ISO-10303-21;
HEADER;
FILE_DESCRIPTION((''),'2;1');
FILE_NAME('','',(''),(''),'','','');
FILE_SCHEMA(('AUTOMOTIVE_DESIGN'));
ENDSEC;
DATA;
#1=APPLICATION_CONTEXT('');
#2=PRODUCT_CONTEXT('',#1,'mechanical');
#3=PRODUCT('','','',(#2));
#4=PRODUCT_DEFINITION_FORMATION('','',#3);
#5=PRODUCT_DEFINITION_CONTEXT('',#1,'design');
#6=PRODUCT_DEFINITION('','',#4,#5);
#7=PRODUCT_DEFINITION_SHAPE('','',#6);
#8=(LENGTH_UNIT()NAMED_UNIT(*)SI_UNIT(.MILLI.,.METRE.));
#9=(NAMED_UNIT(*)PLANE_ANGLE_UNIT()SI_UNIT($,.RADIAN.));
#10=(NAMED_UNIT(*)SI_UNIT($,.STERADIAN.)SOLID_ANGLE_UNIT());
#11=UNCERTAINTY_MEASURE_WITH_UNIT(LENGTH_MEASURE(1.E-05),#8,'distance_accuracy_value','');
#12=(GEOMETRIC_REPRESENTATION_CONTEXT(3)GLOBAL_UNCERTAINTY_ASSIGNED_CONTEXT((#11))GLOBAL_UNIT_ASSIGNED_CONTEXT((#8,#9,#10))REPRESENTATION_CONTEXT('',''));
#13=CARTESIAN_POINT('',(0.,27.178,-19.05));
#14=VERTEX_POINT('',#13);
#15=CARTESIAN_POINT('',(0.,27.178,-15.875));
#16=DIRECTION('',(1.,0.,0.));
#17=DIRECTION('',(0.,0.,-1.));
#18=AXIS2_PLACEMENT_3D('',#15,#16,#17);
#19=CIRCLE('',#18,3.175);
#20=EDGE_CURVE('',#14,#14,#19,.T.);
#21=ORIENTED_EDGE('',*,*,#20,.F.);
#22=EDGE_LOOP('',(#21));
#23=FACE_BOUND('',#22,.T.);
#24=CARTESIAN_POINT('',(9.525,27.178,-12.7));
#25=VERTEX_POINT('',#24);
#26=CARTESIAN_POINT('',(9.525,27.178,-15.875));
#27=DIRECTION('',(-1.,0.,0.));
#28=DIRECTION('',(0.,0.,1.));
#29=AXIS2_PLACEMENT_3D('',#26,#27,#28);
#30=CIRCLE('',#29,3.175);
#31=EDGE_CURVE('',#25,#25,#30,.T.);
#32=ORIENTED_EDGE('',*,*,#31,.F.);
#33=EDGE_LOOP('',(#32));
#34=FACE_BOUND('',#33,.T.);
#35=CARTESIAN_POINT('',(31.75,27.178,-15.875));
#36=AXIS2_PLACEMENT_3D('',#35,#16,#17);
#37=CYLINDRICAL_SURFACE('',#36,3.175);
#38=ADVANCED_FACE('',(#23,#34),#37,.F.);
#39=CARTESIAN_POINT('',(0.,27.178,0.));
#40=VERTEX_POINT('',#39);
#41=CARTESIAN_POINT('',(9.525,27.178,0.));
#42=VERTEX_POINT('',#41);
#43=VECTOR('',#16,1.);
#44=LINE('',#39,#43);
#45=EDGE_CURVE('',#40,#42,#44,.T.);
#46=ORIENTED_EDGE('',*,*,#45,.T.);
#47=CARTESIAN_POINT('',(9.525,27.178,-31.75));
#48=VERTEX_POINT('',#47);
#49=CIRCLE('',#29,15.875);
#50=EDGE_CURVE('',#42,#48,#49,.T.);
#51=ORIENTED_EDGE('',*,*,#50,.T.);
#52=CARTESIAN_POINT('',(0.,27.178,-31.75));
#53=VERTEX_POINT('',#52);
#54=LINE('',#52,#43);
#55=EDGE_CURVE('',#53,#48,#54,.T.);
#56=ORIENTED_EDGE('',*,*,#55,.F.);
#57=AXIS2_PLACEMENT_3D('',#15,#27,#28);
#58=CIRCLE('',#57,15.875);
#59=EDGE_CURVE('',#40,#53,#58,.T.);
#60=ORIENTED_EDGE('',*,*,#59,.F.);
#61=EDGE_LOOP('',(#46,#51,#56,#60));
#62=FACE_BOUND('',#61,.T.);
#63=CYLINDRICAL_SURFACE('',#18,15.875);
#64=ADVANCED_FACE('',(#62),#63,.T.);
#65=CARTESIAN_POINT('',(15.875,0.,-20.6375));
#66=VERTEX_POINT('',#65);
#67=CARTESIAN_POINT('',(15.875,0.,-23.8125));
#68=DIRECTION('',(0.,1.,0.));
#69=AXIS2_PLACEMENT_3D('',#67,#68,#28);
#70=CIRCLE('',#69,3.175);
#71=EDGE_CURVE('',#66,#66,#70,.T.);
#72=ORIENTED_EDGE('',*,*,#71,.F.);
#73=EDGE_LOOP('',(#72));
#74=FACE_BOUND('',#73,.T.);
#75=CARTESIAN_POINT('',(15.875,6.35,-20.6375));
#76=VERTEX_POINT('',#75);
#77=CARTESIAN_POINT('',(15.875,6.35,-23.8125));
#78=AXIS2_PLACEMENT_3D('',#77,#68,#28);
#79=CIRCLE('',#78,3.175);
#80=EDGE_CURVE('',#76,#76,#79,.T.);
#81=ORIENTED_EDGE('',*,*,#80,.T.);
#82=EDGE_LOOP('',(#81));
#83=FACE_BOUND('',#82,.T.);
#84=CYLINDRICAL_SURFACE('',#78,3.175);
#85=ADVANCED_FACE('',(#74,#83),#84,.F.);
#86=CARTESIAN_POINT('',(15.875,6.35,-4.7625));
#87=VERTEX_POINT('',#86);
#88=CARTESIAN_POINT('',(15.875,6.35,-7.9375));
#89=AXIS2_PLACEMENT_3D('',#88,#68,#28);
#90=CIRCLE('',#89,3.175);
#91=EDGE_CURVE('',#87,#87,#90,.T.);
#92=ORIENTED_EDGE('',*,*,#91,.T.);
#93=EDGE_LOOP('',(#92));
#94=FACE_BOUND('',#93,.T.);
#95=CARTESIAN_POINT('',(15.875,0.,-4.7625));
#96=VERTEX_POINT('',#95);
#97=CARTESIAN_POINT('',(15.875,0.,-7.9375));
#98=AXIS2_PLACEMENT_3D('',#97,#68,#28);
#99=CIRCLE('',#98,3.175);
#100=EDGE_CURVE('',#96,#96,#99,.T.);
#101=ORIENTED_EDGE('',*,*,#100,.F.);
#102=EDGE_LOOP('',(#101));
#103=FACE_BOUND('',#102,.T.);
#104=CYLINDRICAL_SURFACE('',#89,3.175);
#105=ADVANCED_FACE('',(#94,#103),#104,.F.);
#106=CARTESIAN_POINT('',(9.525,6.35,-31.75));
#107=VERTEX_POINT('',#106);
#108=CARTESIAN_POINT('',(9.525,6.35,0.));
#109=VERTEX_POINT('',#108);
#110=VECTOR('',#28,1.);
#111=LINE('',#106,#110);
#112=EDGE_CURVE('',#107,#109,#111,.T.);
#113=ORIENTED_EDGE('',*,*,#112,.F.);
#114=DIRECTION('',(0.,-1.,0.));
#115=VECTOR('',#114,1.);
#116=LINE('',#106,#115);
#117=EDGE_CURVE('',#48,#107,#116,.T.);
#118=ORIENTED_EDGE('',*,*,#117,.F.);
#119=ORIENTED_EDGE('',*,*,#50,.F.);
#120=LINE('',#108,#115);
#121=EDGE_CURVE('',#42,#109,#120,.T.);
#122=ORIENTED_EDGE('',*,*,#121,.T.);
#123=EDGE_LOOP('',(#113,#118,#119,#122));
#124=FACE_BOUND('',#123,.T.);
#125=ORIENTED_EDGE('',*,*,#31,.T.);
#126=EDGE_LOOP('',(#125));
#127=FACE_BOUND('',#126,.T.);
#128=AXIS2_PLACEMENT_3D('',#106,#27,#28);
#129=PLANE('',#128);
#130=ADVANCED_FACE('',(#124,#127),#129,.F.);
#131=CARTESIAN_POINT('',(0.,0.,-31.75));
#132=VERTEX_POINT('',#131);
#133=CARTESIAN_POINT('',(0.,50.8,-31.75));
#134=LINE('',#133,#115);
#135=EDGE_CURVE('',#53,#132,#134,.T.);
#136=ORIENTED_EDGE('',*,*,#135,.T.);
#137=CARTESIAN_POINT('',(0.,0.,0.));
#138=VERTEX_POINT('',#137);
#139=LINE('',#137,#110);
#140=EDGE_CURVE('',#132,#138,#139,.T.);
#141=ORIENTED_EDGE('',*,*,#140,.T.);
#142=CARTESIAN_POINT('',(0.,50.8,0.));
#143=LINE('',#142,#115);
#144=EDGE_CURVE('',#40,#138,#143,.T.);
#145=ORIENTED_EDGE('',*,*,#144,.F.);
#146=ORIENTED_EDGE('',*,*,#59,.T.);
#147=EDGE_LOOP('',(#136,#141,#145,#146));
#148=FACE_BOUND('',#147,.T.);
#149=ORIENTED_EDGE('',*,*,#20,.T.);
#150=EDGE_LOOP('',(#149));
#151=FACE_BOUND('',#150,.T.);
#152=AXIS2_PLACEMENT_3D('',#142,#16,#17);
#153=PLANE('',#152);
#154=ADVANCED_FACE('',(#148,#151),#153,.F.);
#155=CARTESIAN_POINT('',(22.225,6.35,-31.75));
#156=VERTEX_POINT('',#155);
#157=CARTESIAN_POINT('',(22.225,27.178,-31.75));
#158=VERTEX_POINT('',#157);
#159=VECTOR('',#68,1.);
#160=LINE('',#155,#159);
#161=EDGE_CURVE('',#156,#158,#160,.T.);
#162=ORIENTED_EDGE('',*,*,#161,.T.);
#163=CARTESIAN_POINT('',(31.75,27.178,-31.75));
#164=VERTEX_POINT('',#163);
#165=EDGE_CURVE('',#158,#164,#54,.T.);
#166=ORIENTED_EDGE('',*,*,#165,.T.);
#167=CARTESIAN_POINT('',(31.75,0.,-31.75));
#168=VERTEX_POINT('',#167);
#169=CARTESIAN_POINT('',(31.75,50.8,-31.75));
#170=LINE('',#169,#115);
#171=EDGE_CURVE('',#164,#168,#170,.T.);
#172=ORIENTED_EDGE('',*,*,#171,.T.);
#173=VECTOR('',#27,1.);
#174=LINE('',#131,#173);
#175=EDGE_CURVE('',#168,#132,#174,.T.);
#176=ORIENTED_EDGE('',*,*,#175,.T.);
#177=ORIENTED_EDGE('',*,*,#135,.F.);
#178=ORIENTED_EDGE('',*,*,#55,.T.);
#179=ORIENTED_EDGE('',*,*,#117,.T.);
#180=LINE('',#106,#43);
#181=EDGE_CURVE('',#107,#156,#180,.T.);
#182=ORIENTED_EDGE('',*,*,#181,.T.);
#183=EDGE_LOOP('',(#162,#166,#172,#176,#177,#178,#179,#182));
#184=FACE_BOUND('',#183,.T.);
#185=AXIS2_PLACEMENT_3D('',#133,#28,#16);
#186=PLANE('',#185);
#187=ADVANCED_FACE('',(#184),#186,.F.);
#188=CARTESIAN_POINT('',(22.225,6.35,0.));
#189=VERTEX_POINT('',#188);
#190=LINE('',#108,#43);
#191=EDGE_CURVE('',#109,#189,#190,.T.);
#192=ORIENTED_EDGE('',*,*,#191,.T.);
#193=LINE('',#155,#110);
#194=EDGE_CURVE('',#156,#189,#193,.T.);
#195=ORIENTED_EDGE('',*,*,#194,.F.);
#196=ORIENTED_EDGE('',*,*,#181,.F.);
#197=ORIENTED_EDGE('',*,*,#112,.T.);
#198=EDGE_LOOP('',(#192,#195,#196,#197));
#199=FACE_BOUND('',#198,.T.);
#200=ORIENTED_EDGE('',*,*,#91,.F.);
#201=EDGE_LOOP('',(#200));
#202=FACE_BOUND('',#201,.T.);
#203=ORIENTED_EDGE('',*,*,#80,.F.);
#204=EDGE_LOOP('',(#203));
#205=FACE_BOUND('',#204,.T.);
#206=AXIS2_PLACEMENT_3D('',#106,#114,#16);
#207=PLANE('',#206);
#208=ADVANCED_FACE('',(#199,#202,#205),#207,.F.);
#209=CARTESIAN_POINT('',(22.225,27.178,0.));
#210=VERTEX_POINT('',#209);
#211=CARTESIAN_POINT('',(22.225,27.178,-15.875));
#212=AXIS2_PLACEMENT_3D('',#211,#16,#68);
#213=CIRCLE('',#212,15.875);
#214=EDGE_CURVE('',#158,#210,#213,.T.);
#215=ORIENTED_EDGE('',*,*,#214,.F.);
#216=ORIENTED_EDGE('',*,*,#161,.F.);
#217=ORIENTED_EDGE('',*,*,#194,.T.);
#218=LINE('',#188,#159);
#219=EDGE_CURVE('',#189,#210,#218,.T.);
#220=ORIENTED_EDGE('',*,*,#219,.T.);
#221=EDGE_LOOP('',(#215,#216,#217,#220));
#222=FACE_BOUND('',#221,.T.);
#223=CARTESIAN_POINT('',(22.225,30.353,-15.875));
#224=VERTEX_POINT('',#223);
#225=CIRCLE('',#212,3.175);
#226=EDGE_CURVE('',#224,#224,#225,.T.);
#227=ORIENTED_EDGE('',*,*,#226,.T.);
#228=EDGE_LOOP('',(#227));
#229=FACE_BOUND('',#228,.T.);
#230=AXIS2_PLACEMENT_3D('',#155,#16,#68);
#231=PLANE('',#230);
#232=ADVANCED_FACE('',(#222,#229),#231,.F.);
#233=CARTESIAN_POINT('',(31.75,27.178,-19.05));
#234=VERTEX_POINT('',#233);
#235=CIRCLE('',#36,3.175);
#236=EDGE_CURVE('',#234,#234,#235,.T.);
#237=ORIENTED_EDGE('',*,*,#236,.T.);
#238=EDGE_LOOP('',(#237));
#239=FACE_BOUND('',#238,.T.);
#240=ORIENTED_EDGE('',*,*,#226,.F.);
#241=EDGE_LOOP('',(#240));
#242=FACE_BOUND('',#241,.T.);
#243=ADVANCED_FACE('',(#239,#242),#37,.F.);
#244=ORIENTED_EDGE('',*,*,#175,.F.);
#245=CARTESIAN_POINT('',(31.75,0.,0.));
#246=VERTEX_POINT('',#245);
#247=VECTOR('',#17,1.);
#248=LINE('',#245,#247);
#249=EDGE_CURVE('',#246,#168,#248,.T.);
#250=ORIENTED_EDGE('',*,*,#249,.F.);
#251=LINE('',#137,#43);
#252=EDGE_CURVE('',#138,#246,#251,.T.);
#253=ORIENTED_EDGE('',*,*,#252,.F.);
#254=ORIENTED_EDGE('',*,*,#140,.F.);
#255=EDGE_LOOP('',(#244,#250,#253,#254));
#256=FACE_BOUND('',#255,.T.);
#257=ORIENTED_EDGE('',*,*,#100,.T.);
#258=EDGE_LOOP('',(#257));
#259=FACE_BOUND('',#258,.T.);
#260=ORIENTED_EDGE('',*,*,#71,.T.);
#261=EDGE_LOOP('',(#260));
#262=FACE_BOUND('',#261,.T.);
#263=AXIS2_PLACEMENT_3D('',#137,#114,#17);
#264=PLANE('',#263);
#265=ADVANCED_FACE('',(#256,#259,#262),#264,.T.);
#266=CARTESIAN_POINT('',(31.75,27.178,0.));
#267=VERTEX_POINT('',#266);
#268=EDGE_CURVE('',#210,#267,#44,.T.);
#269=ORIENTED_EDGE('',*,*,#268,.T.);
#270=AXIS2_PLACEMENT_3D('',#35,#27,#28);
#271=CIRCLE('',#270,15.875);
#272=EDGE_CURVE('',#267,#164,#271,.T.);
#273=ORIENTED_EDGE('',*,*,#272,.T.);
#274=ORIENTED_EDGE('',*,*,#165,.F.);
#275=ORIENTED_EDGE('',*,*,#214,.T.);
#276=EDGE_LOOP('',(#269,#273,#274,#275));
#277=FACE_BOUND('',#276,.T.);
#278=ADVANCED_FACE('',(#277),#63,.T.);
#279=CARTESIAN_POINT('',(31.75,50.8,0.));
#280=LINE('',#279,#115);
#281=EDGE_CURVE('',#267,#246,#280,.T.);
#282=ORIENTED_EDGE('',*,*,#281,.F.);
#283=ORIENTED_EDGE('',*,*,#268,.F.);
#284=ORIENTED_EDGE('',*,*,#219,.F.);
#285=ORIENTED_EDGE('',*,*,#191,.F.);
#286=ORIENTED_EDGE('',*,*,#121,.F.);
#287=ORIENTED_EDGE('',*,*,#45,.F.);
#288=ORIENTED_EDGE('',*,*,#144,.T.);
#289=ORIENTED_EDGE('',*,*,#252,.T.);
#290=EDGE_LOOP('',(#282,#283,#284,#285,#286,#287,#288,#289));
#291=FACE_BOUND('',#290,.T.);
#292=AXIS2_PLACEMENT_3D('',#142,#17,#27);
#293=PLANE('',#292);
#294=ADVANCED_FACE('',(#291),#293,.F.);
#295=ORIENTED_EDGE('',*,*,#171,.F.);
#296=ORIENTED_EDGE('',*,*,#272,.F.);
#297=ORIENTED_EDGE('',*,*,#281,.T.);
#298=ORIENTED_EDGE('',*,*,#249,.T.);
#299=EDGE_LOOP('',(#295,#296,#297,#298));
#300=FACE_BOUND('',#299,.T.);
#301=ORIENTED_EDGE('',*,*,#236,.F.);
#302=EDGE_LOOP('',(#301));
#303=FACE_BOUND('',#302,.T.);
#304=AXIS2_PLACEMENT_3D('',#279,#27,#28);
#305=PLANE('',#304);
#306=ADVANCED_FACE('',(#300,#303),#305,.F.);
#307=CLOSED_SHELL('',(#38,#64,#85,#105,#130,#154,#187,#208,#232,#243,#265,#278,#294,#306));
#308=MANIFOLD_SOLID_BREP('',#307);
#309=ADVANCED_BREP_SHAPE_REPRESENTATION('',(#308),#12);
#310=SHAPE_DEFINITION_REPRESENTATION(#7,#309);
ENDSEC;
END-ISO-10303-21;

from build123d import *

# Parameters (mm, degrees)
SKETCH1_W              = 31.75
SKETCH1_H              = 31.75
BOSS_EXTRUDE1_DEPTH    = 50.8
CUT_EXTRUDE1_DEPTH     = 68.7994469
SKETCH3_W              = 12.7
SKETCH3_H              = 50.8
CUT_EXTRUDE2_DEPTH     = 63.206798736
F_1_1_DIAMETER_HOLE1_D = 6.35
F_1_1_DIAMETER_HOLE2_D = 6.35


with BuildPart() as part:
    # Sketch1 → Boss-Extrude1 (new body)
    with BuildSketch(Plane(origin=(0, 0, 0), x_dir=(1, 0, 0), z_dir=(0, 1, 0))):
        with Locations((15.875, 15.875)):
            Rectangle(SKETCH1_W, SKETCH1_H)
    extrude(amount=BOSS_EXTRUDE1_DEPTH)

    # Sketch2 → Cut-Extrude1 (cut, through all)
    with BuildSketch(Plane(origin=(31.75, 0, 0), x_dir=(0, 0, -1), z_dir=(1, 0, 0))):
        with BuildLine():
            Line((0, 50.8), (31.75, 50.8))
            Line((31.75, 50.8), (31.75, 27.178))
            ThreePointArc((31.75, 27.178), (15.875, 43.053), (0, 27.178))
            Line((0, 27.178), (0, 50.8))
        make_face()
    extrude(amount=-CUT_EXTRUDE1_DEPTH, mode=Mode.SUBTRACT)

    # Sketch3 → Cut-Extrude2 (cut, through all)
    with BuildSketch(Plane.XY):
        with Locations((15.875, 31.75)):
            Rectangle(SKETCH3_W, SKETCH3_H)
    extrude(amount=-CUT_EXTRUDE2_DEPTH, mode=Mode.SUBTRACT)

    # 1 (1) Diameter Hole1 (through all)
    with Locations(Plane(origin=(0, 6.35, 0), x_dir=(1, 0, 0), z_dir=(0, 1, 0))):
        with Locations((15.875, 23.8125), (15.875, 7.9375)):
            Hole(F_1_1_DIAMETER_HOLE1_D / 2)

    # 1 (1) Diameter Hole2 (through all)
    with Locations(Plane(origin=(31.75, 0, 0), x_dir=(0, 0, -1), z_dir=(1, 0, 0))):
        with Locations((15.875, 27.178)):
            Hole(F_1_1_DIAMETER_HOLE2_D / 2)


solid = part.part
